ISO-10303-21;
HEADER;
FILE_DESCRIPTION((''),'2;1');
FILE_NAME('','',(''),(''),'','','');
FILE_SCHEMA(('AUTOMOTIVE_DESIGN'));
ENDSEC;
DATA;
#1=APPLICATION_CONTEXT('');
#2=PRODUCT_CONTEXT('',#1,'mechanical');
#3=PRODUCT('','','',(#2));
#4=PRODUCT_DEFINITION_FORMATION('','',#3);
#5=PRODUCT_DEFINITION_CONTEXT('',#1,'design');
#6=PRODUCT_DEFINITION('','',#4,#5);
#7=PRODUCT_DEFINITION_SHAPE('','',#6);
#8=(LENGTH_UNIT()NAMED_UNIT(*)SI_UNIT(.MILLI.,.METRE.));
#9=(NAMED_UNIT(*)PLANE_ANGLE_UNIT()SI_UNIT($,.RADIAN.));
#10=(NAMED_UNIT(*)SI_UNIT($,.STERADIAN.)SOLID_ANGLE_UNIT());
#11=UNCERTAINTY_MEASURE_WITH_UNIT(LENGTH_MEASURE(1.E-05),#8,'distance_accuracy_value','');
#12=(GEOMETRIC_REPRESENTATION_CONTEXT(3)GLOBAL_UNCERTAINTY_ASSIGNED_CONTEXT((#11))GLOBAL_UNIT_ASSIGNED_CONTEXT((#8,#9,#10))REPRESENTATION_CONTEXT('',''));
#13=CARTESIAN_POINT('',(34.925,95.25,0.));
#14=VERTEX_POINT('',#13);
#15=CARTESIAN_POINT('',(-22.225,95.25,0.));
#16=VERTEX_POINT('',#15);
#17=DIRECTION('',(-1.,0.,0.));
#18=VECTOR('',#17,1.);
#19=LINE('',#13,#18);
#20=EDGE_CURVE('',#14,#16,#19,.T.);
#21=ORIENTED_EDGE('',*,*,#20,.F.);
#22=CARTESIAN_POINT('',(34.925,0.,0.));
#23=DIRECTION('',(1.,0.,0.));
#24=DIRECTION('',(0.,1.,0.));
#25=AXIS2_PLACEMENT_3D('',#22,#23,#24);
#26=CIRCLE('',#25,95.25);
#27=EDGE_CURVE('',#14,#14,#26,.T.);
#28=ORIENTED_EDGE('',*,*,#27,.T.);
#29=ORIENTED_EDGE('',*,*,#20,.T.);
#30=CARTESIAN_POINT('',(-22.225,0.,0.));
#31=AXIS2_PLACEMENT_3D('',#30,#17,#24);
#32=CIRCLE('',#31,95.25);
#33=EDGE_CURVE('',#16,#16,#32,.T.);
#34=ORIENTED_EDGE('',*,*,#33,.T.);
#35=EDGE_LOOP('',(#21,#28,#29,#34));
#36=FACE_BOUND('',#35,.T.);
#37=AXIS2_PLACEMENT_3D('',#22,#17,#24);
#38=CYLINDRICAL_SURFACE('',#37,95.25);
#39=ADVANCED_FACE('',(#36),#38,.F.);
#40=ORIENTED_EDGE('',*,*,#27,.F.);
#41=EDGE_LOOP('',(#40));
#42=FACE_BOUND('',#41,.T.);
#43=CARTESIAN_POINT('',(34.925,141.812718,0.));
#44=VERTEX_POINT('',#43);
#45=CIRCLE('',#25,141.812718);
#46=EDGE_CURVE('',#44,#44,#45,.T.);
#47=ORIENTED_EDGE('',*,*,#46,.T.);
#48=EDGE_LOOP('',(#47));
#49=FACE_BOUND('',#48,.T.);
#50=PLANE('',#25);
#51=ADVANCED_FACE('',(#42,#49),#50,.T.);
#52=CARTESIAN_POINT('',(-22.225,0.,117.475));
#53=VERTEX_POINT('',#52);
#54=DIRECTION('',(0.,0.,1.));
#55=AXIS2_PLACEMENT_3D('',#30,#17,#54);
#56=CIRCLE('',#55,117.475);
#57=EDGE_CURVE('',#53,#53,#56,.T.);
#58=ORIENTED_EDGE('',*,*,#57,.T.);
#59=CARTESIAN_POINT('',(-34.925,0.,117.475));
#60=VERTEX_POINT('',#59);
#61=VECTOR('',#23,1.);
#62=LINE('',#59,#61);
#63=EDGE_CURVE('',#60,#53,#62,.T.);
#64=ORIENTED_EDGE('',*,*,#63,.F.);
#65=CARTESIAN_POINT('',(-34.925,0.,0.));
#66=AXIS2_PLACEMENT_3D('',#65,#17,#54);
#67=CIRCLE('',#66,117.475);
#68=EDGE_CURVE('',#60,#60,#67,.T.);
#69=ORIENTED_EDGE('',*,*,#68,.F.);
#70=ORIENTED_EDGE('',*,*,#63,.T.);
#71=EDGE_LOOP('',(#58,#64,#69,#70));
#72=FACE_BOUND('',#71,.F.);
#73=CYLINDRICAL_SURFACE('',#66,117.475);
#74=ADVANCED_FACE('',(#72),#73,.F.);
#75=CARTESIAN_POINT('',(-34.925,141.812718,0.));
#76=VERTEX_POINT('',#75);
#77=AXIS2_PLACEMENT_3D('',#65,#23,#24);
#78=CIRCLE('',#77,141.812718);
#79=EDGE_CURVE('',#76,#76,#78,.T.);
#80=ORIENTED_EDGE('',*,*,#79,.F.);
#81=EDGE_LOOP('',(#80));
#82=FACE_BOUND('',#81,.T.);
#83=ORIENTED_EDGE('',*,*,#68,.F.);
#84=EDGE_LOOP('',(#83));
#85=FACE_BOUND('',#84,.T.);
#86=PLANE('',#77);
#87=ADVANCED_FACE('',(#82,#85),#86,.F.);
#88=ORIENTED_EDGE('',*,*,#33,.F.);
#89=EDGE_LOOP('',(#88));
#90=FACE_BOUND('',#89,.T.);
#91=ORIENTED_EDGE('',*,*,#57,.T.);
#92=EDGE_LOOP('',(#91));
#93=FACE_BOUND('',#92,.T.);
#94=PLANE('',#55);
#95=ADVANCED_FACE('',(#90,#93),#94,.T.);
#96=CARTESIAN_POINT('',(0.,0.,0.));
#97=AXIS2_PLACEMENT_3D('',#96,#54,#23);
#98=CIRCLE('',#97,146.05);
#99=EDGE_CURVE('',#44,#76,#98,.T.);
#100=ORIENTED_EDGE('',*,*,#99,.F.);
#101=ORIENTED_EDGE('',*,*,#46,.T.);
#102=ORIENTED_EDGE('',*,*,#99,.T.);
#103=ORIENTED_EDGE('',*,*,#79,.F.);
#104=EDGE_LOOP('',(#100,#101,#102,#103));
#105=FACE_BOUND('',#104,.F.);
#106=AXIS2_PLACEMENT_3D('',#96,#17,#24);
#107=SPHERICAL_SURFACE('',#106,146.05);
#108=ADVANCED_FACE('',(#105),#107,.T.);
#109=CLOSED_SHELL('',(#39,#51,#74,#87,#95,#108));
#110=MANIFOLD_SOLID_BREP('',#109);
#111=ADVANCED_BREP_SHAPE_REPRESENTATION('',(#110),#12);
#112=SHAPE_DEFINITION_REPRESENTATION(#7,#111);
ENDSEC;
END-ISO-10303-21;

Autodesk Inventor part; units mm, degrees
ref_plane "YZ Plane" through (0, 0, 0) normal (1, 0, 0) x (0, 1, 0)
ref_plane "XZ Plane" through (0, 0, 0) normal (0, 1, 0) x (-1, 0, 0)
ref_plane "XY Plane" through (0, 0, 0) normal (0, 0, 1) x (1, 0, 0)
sketch "Sketch1" plane through (0, 0, 0) normal (0, 0, 1) x (1, 0, 0)
  circle A0 centre (0, 0) radius 146.05
  line L0 (0, 146.05) -> (234.2216, 146.05) construction
  line L1 (-34.925, 196.85) -> (34.925, 196.85) construction
  line L2 (34.925, 196.85) -> (34.925, 95.25)
  line L3 (34.925, 95.25) -> (-34.925, 95.25)
  line L4 (-34.925, 95.25) -> (-34.925, 196.85)
  line L5 (-34.925, 196.85) -> (34.925, 95.25) construction
  line L6 (34.925, 196.85) -> (-34.925, 95.25) construction
  line L7 (0, 0) -> (253.8576, 0) construction
  point P0 (-34.925, 141.8127)
  point P1 (34.925, 141.8127)
  dimension "d6" = 292.1
  dimension "d7" = 69.85
  dimension "d8" = 101.6
  dimension "d9" = 95.25
revolve "Revolution2" add sketch "Sketch1" angle 360 about axis through (0, 0, 0) along (1, 0, 0) picked at (2.3502, 112.1266) contours L2 L3 L4 A0
sketch "Sketch4" plane through (-34.925, 0, 0) normal (-1, 0, 0) x (0, 0, 1)
  circle A0 centre (0, 0) radius 95.25 projected
  circle A1 centre (0, 0) radius 117.475
  dimension "d24" = 234.95
extrude "Extrusion3" cut sketch "Sketch4" against normal blind 12.7
properties part number "bigWheel_01" material "Wood (Maple)"
